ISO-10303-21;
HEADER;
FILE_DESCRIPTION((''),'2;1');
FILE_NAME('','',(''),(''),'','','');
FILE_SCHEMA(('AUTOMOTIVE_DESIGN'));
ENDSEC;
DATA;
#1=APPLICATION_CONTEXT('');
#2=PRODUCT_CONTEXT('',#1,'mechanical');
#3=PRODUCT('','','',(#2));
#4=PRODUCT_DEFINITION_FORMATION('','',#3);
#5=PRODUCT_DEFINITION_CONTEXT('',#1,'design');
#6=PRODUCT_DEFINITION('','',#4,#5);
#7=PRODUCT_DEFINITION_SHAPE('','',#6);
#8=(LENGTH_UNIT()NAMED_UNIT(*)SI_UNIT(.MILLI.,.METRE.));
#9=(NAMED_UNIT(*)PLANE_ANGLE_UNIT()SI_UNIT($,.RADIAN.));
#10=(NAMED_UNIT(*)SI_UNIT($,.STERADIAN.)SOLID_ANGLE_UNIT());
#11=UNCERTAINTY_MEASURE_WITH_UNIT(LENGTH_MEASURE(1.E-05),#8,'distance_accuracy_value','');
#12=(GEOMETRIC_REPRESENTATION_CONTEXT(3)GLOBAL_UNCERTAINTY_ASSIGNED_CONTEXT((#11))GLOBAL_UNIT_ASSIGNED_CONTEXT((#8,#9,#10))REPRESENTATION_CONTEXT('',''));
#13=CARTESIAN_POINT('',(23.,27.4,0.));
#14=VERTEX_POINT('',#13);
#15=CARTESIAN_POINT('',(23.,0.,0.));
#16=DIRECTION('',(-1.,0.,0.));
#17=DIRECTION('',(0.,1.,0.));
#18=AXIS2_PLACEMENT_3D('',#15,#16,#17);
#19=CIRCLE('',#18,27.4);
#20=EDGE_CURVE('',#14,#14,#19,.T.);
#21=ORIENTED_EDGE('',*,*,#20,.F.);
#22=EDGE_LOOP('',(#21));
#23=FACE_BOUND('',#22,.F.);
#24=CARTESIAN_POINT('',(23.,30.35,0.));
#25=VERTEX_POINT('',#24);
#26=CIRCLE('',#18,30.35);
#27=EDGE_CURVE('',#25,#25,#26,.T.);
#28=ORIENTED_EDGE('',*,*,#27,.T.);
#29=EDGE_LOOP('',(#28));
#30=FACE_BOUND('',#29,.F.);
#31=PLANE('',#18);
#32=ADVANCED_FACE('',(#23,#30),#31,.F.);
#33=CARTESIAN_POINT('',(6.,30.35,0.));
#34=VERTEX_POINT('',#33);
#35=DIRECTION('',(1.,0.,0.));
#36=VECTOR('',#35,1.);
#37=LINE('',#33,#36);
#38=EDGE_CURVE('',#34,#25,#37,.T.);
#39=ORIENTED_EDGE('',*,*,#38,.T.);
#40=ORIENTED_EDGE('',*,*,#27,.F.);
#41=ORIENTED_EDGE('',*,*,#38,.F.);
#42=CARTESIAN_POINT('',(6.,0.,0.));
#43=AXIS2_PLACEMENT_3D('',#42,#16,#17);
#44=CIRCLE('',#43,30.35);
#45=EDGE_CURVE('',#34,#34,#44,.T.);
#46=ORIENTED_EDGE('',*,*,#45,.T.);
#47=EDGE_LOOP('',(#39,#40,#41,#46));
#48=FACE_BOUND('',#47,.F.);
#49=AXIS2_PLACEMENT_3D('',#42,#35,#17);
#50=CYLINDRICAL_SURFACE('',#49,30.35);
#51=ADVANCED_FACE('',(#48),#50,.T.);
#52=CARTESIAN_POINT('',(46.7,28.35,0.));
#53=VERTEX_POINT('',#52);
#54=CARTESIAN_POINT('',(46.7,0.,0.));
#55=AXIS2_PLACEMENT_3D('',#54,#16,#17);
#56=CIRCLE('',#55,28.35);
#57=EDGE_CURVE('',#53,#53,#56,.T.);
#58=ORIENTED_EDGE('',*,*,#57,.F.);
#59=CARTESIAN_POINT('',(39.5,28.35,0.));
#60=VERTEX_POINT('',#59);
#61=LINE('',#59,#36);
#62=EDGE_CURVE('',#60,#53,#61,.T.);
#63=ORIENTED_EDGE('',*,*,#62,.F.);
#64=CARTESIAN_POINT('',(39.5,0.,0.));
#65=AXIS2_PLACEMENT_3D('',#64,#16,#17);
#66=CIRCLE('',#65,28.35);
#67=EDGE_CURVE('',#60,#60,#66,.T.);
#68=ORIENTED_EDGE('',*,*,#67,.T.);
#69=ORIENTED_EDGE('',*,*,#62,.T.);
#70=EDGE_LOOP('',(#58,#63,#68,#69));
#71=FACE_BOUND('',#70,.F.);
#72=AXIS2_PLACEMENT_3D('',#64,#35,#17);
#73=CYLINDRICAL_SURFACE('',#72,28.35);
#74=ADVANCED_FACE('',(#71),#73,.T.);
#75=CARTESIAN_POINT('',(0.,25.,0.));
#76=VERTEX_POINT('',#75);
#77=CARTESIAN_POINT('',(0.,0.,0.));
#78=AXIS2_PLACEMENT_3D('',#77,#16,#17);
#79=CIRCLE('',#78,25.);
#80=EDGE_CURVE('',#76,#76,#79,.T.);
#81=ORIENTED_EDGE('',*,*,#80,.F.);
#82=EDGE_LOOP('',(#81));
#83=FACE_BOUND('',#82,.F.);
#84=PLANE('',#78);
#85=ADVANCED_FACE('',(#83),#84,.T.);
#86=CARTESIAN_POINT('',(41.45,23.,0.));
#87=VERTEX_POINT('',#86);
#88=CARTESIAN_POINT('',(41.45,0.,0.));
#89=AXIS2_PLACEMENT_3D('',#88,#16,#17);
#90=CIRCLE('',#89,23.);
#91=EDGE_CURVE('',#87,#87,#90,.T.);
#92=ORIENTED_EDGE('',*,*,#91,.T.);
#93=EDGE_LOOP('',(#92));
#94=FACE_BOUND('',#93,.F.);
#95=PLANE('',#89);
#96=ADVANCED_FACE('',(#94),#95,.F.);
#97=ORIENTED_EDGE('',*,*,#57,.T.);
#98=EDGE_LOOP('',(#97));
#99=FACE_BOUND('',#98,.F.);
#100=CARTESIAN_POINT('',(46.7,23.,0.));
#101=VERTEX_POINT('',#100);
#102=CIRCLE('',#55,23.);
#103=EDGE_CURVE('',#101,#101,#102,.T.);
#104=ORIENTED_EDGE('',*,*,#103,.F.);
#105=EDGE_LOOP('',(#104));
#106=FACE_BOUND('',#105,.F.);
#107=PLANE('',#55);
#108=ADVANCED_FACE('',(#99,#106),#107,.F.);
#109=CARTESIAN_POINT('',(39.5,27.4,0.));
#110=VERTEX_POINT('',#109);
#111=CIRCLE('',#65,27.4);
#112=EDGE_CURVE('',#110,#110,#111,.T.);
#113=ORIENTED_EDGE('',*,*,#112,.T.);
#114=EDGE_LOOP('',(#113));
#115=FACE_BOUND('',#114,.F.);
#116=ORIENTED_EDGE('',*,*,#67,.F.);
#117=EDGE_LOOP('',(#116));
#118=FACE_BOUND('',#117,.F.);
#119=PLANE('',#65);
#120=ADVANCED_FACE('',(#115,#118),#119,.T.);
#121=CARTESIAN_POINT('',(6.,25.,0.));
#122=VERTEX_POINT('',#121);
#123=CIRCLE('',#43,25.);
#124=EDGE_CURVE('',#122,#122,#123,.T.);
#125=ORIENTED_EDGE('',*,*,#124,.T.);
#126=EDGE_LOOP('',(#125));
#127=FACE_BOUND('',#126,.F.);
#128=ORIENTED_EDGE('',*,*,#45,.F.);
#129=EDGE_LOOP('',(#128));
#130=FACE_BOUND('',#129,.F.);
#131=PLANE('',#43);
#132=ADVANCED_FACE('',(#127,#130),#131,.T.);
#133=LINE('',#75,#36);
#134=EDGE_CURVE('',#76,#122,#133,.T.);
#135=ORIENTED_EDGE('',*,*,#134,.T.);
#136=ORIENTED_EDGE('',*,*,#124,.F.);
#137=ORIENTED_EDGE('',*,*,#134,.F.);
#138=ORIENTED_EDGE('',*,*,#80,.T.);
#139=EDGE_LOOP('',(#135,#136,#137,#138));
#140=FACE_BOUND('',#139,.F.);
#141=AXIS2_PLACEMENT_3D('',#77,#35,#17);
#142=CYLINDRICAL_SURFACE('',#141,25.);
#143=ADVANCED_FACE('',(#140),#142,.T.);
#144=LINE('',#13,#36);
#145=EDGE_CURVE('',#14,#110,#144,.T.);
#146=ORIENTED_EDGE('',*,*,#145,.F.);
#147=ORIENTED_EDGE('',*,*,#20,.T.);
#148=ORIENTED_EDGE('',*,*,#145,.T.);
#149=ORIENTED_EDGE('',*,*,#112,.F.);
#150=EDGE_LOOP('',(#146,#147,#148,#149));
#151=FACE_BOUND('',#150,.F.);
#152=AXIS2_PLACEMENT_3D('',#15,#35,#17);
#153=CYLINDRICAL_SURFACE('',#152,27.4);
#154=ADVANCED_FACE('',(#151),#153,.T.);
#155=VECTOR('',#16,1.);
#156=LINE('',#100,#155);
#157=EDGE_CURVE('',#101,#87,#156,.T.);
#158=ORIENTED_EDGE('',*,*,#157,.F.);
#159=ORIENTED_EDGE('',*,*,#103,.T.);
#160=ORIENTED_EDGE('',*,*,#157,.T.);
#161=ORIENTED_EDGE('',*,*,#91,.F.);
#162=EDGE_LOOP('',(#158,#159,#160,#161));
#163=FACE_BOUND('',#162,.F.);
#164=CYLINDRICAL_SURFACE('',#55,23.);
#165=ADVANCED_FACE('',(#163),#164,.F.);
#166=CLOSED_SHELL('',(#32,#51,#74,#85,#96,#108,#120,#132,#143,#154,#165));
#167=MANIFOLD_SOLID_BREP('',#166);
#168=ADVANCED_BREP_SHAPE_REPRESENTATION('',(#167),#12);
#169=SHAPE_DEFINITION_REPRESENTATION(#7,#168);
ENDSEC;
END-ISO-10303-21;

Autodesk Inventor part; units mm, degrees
ref_plane "YZ Plane" through (0, 0, 0) normal (1, 0, 0) x (0, 1, 0)
ref_plane "XZ Plane" through (0, 0, 0) normal (0, 1, 0) x (-1, 0, 0)
ref_plane "XY Plane" through (0, 0, 0) normal (0, 0, 1) x (1, 0, 0)
sketch "Szkic1" plane through (0, 0, 0) normal (0, 0, 1) x (1, 0, 0)
  line L0 (0, 0) -> (0, 25)
  line L1 (0, 25) -> (6, 25)
  line L2 (6, 25) -> (6, 30.35)
  line L3 (6, 30.35) -> (23, 30.35)
  line L4 (23, 30.35) -> (23, 27.4)
  line L5 (23, 27.4) -> (39.5, 27.4)
  line L6 (39.5, 27.4) -> (39.5, 28.35)
  line L7 (39.5, 28.35) -> (46.7, 28.35)
  line L8 (46.7, 28.35) -> (46.7, 23)
  line L9 (46.7, 0) -> (0, 0)
  line L10 (46.7, 23) -> (41.45, 23)
  line L11 (41.45, 23) -> (41.45, 0)
  dimension "d0" = 25
  dimension "d1" = 6
  dimension "d3" = 30.35
  dimension "d4" = 17
  dimension "d5" = 27.4
  dimension "d6" = 16.5
  dimension "d7" = 7.2
  dimension "d8" = 28.35
  dimension "d10" = 5.25
  dimension "d11" = 23
revolve "Obrót1" add sketch "Szkic1" angle 360 about axis through (46.7, 0, 0) along (-1, 0, 0)
properties part number "obiektyw"
